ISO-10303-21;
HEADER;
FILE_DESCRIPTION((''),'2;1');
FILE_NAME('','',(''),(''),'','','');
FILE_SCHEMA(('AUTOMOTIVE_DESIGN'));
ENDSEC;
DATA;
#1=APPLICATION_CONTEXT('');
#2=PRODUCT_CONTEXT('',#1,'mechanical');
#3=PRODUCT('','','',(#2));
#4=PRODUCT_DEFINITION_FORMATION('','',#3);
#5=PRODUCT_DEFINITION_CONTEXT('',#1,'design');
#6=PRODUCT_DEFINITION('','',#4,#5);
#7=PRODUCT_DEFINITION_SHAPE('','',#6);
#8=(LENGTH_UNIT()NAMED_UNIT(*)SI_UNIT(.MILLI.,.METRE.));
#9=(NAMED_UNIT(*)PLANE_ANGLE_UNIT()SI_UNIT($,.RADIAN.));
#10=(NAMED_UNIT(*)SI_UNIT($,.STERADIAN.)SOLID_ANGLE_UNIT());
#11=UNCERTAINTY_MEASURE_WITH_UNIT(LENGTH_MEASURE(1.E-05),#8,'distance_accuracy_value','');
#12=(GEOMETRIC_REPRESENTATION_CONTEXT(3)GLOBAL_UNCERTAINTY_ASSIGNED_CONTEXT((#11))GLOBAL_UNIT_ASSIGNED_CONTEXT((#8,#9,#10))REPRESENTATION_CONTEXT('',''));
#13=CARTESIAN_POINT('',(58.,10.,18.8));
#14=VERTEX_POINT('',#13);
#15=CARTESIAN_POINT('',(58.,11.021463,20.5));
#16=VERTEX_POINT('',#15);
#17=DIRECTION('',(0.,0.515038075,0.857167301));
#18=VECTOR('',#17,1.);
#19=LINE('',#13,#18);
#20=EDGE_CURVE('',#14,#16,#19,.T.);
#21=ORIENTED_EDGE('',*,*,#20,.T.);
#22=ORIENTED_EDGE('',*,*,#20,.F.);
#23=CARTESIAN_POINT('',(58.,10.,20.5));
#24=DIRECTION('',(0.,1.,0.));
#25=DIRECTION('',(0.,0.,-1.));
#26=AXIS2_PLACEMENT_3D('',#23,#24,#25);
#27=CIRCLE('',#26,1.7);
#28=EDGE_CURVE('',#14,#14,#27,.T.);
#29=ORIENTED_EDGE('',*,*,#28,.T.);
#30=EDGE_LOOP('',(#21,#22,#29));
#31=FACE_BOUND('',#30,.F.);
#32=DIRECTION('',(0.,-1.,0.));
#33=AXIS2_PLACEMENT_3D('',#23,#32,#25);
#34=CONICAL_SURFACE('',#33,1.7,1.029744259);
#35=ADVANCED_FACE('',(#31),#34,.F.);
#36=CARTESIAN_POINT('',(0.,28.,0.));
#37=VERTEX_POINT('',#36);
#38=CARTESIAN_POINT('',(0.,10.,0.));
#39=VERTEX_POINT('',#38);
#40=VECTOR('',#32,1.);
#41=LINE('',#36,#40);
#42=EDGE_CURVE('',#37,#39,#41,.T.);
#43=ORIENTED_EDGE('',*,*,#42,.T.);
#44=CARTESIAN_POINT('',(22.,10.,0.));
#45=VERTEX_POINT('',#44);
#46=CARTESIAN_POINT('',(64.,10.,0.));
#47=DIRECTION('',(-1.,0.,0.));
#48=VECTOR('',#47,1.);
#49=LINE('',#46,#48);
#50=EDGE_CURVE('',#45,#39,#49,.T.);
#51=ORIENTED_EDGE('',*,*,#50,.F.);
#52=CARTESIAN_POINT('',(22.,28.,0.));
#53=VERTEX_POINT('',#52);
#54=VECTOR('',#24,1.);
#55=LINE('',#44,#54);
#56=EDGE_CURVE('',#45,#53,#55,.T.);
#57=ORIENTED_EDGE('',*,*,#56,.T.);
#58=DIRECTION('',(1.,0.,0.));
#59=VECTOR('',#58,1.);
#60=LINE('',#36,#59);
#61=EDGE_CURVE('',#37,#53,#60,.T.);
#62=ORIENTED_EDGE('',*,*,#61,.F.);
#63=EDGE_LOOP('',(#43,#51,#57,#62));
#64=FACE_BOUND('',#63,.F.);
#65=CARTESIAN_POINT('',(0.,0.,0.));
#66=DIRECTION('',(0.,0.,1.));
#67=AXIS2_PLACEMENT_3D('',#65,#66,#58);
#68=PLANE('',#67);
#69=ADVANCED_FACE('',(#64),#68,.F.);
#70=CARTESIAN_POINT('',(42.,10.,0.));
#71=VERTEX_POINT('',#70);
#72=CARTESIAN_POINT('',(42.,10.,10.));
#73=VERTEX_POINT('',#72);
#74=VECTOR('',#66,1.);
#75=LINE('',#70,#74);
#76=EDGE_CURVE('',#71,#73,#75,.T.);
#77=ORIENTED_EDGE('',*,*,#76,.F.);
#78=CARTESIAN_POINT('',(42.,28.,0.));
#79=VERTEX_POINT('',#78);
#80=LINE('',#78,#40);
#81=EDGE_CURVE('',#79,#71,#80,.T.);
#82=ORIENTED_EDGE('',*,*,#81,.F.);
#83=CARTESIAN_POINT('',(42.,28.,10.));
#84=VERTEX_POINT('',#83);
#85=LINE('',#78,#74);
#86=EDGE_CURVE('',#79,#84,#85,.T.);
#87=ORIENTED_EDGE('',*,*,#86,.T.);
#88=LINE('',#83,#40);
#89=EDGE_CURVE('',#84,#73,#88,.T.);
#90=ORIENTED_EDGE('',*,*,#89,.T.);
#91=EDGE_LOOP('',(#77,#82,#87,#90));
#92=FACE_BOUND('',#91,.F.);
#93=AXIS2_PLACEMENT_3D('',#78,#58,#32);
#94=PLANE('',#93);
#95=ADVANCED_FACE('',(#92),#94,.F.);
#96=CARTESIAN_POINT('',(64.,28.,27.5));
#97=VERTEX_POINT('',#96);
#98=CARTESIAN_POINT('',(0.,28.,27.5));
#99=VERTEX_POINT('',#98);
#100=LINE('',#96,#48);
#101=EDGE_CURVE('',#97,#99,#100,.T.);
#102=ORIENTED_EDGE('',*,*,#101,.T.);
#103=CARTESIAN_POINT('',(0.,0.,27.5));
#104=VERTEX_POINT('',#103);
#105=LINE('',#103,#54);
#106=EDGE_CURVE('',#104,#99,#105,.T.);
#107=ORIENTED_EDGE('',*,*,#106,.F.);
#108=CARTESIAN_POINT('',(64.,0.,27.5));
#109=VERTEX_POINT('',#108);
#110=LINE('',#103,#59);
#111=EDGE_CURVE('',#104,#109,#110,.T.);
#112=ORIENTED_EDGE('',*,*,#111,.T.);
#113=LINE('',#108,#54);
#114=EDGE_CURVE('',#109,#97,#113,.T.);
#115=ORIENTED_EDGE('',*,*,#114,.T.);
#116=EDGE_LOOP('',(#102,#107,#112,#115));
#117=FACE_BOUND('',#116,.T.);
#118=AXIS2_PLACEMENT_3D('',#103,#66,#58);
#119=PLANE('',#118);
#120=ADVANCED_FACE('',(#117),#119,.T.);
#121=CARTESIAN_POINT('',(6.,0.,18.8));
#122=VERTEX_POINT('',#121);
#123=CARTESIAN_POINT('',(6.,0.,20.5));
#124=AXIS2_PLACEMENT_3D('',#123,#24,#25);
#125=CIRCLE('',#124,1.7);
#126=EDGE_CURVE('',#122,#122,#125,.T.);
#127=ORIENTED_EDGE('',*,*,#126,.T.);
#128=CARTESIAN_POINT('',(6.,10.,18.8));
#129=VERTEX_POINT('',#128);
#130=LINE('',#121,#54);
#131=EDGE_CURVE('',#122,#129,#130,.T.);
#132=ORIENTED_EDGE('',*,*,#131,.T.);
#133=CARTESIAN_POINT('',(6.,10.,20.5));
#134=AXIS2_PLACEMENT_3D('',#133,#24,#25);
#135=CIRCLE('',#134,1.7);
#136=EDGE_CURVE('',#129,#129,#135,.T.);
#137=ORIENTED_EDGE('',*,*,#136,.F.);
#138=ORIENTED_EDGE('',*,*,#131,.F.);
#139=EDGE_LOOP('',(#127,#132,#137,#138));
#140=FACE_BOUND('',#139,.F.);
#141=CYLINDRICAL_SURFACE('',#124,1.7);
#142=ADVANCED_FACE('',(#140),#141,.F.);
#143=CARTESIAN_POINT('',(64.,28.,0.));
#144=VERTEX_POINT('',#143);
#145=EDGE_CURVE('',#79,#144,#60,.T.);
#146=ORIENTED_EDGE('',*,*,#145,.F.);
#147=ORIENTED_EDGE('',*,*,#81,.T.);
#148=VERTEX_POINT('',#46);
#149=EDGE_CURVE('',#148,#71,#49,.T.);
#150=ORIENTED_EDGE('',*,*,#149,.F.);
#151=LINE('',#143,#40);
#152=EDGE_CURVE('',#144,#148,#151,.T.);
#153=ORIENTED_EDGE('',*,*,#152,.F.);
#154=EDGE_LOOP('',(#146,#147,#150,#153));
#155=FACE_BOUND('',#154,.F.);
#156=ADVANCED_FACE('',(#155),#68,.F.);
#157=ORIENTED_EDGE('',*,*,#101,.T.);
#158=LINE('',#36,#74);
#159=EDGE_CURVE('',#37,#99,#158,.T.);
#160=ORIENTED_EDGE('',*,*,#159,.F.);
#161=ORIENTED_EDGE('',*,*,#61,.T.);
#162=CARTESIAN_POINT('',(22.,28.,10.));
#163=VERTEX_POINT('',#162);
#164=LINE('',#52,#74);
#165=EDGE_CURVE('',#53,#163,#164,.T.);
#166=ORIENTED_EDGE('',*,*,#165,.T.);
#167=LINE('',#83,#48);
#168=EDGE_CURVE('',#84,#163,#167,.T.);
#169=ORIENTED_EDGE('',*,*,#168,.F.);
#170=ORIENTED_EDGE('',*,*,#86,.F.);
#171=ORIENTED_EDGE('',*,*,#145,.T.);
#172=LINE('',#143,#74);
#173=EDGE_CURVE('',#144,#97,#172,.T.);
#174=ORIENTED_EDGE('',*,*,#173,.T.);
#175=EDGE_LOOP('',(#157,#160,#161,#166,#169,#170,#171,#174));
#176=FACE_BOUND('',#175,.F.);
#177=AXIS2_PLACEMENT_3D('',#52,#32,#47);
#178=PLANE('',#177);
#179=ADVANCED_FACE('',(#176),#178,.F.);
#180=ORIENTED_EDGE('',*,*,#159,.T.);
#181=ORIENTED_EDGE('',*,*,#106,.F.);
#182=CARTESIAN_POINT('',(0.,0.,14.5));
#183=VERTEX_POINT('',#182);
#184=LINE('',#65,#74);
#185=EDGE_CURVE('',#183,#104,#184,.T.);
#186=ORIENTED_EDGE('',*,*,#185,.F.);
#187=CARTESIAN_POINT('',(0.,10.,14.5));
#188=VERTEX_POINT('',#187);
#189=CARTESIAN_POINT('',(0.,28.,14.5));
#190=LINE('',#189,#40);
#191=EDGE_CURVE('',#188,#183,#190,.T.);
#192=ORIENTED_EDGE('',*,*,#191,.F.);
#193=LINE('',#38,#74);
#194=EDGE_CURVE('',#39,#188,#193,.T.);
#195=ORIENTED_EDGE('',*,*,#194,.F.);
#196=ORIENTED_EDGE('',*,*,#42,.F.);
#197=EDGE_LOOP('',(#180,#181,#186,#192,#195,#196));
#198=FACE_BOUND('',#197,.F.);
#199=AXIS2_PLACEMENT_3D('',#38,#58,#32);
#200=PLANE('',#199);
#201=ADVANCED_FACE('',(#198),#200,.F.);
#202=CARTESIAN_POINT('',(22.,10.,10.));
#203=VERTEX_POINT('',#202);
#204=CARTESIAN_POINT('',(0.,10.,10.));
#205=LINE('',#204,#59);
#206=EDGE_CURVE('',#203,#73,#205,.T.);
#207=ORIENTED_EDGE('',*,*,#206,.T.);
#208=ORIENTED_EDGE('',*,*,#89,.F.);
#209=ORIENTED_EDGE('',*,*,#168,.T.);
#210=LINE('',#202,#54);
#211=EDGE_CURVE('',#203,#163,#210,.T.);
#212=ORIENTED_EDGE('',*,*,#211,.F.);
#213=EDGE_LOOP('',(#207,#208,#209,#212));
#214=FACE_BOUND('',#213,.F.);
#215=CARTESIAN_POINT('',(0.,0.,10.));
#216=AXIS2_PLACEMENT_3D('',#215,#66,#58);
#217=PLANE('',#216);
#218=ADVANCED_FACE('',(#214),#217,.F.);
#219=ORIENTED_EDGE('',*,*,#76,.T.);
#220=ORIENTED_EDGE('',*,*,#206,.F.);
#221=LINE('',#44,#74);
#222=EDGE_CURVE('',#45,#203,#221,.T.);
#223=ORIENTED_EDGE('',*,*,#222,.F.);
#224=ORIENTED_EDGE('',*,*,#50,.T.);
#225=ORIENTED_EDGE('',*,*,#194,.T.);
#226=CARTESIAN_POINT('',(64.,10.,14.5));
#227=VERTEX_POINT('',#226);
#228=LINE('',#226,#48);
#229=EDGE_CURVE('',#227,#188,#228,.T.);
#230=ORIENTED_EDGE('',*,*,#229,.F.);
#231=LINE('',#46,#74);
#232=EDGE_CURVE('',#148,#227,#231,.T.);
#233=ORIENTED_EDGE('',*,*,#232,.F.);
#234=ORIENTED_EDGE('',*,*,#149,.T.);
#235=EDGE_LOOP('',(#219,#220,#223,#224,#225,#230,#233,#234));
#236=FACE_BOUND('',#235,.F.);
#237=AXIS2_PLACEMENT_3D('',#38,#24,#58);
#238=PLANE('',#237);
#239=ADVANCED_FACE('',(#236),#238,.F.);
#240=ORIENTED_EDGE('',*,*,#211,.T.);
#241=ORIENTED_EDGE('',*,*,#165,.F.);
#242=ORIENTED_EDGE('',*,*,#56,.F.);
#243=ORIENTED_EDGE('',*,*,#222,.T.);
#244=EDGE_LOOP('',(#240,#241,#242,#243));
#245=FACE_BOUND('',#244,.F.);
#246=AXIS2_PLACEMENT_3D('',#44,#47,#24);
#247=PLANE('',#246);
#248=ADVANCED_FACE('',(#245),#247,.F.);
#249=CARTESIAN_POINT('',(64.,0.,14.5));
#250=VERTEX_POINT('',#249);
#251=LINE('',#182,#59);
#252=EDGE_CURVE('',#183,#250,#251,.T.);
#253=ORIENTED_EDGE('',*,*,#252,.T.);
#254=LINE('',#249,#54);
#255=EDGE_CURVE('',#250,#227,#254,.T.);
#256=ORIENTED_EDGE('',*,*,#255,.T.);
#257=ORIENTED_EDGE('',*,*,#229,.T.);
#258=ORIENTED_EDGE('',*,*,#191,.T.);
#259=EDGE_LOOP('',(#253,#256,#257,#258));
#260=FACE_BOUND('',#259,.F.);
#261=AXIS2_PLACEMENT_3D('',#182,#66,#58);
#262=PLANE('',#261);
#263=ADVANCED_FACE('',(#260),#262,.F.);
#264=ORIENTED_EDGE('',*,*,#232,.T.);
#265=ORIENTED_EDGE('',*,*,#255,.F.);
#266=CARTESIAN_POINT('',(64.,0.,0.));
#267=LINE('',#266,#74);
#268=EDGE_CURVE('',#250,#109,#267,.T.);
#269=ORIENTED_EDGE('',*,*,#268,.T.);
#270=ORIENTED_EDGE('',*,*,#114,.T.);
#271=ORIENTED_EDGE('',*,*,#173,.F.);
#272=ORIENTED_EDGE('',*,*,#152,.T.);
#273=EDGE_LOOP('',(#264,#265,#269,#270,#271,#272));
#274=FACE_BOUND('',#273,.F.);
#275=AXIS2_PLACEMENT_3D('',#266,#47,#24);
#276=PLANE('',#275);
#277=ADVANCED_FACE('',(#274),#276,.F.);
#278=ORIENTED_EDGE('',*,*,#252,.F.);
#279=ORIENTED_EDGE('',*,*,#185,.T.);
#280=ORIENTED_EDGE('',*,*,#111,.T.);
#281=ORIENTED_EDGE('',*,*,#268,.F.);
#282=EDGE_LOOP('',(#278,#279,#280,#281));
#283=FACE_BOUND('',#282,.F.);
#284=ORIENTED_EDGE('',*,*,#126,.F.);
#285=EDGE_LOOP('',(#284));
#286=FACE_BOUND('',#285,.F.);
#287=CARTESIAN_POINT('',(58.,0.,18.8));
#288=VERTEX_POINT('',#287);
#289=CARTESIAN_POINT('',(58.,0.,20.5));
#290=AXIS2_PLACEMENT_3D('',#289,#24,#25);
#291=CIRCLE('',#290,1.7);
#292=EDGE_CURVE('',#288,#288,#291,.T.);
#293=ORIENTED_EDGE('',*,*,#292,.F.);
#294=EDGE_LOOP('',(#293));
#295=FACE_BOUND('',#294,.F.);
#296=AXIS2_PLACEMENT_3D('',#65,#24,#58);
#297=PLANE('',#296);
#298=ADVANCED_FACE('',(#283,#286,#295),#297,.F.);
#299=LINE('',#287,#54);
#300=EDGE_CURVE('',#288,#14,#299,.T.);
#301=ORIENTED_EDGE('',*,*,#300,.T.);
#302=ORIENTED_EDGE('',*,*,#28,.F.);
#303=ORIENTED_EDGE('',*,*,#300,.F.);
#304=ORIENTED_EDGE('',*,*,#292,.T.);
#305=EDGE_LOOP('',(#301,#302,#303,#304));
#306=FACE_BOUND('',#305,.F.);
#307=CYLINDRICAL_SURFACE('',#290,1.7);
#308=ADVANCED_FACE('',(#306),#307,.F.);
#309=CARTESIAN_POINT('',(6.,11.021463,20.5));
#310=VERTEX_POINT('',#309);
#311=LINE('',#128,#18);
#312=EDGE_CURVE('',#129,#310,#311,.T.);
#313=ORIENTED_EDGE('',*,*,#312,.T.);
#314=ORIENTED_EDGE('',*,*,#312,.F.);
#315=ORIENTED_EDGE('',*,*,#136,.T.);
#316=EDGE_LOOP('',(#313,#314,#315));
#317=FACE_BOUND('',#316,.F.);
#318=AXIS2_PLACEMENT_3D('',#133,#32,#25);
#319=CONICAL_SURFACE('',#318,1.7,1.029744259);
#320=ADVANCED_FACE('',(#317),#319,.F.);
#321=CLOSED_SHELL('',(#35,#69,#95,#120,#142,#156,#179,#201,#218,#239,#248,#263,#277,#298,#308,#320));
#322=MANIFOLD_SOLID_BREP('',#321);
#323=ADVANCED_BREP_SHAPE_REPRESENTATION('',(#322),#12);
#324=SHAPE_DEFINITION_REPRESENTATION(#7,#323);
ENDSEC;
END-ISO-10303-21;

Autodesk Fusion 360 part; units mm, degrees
sketch "Sketch1" plane through (0, 0, 0) normal (0, 0, 1) x (1, 0, 0)
  line L0 (0, 0) -> (64, 0)
  line L1 (64, 0) -> (64, 28)
  line L2 (64, 28) -> (0, 28)
  line L3 (0, 28) -> (0, 0)
  line L4 (0, 0) -> (0, 10)
  line L5 (0, 10) -> (64, 10)
  line L6 (32, 28) -> (42, 28)
  line L7 (32, 28) -> (22, 28)
  line L8 (22, 28) -> (42, 28)
  line L9 (42, 28) -> (42, 10)
  line L10 (42, 10) -> (22, 10)
  line L11 (22, 10) -> (22, 28)
  point P0 (32, 28)
  dimension "d1" = 64
  dimension "d2" = 28
  dimension "d3" = 10
extrude "Extrude1" add sketch "Sketch1" along normal blind 27.5
extrude "Extrude2" cut sketch "Sketch1" along normal blind 14.5 contours L0 L1 L3 L4 L5 L10
sketch "Sketch2" plane through (0, 0, 0) normal (0, -1, 0) x (1, 0, 0)
  line L0 (0, 14.5) -> (64, 14.5)
  line L1 (64, 14.5) -> (64, 27.5)
  line L2 (64, 27.5) -> (0, 27.5)
  line L3 (0, 27.5) -> (0, 14.5)
  line L4 (64, 14.5) -> (58, 14.5) construction
  line L5 (64, 14.5) -> (64, 20.5) construction
  line L6 (0, 14.5) -> (6, 14.5)
  line L7 (0, 14.5) -> (0, 20.5)
  point P0 (58, 20.5)
  point P1 (6, 20.5)
  dimension "d8" = 6
  dimension "d9" = 6
  dimension "d10" = 6
  dimension "d11" = 6
hole "Hole1" at (6, 0, 20.5) direction (0, 1, 0) diameter 3.4 depth 10 tip angle 118
hole "Hole2" at (58, 0, 20.5) direction (0, 1, 0) diameter 3.4 depth 10 tip angle 118
extrude "Extrude3" cut sketch "Sketch1" along normal blind 10 contours L2 L5 L6 L7 L8 L9 L10 L11
